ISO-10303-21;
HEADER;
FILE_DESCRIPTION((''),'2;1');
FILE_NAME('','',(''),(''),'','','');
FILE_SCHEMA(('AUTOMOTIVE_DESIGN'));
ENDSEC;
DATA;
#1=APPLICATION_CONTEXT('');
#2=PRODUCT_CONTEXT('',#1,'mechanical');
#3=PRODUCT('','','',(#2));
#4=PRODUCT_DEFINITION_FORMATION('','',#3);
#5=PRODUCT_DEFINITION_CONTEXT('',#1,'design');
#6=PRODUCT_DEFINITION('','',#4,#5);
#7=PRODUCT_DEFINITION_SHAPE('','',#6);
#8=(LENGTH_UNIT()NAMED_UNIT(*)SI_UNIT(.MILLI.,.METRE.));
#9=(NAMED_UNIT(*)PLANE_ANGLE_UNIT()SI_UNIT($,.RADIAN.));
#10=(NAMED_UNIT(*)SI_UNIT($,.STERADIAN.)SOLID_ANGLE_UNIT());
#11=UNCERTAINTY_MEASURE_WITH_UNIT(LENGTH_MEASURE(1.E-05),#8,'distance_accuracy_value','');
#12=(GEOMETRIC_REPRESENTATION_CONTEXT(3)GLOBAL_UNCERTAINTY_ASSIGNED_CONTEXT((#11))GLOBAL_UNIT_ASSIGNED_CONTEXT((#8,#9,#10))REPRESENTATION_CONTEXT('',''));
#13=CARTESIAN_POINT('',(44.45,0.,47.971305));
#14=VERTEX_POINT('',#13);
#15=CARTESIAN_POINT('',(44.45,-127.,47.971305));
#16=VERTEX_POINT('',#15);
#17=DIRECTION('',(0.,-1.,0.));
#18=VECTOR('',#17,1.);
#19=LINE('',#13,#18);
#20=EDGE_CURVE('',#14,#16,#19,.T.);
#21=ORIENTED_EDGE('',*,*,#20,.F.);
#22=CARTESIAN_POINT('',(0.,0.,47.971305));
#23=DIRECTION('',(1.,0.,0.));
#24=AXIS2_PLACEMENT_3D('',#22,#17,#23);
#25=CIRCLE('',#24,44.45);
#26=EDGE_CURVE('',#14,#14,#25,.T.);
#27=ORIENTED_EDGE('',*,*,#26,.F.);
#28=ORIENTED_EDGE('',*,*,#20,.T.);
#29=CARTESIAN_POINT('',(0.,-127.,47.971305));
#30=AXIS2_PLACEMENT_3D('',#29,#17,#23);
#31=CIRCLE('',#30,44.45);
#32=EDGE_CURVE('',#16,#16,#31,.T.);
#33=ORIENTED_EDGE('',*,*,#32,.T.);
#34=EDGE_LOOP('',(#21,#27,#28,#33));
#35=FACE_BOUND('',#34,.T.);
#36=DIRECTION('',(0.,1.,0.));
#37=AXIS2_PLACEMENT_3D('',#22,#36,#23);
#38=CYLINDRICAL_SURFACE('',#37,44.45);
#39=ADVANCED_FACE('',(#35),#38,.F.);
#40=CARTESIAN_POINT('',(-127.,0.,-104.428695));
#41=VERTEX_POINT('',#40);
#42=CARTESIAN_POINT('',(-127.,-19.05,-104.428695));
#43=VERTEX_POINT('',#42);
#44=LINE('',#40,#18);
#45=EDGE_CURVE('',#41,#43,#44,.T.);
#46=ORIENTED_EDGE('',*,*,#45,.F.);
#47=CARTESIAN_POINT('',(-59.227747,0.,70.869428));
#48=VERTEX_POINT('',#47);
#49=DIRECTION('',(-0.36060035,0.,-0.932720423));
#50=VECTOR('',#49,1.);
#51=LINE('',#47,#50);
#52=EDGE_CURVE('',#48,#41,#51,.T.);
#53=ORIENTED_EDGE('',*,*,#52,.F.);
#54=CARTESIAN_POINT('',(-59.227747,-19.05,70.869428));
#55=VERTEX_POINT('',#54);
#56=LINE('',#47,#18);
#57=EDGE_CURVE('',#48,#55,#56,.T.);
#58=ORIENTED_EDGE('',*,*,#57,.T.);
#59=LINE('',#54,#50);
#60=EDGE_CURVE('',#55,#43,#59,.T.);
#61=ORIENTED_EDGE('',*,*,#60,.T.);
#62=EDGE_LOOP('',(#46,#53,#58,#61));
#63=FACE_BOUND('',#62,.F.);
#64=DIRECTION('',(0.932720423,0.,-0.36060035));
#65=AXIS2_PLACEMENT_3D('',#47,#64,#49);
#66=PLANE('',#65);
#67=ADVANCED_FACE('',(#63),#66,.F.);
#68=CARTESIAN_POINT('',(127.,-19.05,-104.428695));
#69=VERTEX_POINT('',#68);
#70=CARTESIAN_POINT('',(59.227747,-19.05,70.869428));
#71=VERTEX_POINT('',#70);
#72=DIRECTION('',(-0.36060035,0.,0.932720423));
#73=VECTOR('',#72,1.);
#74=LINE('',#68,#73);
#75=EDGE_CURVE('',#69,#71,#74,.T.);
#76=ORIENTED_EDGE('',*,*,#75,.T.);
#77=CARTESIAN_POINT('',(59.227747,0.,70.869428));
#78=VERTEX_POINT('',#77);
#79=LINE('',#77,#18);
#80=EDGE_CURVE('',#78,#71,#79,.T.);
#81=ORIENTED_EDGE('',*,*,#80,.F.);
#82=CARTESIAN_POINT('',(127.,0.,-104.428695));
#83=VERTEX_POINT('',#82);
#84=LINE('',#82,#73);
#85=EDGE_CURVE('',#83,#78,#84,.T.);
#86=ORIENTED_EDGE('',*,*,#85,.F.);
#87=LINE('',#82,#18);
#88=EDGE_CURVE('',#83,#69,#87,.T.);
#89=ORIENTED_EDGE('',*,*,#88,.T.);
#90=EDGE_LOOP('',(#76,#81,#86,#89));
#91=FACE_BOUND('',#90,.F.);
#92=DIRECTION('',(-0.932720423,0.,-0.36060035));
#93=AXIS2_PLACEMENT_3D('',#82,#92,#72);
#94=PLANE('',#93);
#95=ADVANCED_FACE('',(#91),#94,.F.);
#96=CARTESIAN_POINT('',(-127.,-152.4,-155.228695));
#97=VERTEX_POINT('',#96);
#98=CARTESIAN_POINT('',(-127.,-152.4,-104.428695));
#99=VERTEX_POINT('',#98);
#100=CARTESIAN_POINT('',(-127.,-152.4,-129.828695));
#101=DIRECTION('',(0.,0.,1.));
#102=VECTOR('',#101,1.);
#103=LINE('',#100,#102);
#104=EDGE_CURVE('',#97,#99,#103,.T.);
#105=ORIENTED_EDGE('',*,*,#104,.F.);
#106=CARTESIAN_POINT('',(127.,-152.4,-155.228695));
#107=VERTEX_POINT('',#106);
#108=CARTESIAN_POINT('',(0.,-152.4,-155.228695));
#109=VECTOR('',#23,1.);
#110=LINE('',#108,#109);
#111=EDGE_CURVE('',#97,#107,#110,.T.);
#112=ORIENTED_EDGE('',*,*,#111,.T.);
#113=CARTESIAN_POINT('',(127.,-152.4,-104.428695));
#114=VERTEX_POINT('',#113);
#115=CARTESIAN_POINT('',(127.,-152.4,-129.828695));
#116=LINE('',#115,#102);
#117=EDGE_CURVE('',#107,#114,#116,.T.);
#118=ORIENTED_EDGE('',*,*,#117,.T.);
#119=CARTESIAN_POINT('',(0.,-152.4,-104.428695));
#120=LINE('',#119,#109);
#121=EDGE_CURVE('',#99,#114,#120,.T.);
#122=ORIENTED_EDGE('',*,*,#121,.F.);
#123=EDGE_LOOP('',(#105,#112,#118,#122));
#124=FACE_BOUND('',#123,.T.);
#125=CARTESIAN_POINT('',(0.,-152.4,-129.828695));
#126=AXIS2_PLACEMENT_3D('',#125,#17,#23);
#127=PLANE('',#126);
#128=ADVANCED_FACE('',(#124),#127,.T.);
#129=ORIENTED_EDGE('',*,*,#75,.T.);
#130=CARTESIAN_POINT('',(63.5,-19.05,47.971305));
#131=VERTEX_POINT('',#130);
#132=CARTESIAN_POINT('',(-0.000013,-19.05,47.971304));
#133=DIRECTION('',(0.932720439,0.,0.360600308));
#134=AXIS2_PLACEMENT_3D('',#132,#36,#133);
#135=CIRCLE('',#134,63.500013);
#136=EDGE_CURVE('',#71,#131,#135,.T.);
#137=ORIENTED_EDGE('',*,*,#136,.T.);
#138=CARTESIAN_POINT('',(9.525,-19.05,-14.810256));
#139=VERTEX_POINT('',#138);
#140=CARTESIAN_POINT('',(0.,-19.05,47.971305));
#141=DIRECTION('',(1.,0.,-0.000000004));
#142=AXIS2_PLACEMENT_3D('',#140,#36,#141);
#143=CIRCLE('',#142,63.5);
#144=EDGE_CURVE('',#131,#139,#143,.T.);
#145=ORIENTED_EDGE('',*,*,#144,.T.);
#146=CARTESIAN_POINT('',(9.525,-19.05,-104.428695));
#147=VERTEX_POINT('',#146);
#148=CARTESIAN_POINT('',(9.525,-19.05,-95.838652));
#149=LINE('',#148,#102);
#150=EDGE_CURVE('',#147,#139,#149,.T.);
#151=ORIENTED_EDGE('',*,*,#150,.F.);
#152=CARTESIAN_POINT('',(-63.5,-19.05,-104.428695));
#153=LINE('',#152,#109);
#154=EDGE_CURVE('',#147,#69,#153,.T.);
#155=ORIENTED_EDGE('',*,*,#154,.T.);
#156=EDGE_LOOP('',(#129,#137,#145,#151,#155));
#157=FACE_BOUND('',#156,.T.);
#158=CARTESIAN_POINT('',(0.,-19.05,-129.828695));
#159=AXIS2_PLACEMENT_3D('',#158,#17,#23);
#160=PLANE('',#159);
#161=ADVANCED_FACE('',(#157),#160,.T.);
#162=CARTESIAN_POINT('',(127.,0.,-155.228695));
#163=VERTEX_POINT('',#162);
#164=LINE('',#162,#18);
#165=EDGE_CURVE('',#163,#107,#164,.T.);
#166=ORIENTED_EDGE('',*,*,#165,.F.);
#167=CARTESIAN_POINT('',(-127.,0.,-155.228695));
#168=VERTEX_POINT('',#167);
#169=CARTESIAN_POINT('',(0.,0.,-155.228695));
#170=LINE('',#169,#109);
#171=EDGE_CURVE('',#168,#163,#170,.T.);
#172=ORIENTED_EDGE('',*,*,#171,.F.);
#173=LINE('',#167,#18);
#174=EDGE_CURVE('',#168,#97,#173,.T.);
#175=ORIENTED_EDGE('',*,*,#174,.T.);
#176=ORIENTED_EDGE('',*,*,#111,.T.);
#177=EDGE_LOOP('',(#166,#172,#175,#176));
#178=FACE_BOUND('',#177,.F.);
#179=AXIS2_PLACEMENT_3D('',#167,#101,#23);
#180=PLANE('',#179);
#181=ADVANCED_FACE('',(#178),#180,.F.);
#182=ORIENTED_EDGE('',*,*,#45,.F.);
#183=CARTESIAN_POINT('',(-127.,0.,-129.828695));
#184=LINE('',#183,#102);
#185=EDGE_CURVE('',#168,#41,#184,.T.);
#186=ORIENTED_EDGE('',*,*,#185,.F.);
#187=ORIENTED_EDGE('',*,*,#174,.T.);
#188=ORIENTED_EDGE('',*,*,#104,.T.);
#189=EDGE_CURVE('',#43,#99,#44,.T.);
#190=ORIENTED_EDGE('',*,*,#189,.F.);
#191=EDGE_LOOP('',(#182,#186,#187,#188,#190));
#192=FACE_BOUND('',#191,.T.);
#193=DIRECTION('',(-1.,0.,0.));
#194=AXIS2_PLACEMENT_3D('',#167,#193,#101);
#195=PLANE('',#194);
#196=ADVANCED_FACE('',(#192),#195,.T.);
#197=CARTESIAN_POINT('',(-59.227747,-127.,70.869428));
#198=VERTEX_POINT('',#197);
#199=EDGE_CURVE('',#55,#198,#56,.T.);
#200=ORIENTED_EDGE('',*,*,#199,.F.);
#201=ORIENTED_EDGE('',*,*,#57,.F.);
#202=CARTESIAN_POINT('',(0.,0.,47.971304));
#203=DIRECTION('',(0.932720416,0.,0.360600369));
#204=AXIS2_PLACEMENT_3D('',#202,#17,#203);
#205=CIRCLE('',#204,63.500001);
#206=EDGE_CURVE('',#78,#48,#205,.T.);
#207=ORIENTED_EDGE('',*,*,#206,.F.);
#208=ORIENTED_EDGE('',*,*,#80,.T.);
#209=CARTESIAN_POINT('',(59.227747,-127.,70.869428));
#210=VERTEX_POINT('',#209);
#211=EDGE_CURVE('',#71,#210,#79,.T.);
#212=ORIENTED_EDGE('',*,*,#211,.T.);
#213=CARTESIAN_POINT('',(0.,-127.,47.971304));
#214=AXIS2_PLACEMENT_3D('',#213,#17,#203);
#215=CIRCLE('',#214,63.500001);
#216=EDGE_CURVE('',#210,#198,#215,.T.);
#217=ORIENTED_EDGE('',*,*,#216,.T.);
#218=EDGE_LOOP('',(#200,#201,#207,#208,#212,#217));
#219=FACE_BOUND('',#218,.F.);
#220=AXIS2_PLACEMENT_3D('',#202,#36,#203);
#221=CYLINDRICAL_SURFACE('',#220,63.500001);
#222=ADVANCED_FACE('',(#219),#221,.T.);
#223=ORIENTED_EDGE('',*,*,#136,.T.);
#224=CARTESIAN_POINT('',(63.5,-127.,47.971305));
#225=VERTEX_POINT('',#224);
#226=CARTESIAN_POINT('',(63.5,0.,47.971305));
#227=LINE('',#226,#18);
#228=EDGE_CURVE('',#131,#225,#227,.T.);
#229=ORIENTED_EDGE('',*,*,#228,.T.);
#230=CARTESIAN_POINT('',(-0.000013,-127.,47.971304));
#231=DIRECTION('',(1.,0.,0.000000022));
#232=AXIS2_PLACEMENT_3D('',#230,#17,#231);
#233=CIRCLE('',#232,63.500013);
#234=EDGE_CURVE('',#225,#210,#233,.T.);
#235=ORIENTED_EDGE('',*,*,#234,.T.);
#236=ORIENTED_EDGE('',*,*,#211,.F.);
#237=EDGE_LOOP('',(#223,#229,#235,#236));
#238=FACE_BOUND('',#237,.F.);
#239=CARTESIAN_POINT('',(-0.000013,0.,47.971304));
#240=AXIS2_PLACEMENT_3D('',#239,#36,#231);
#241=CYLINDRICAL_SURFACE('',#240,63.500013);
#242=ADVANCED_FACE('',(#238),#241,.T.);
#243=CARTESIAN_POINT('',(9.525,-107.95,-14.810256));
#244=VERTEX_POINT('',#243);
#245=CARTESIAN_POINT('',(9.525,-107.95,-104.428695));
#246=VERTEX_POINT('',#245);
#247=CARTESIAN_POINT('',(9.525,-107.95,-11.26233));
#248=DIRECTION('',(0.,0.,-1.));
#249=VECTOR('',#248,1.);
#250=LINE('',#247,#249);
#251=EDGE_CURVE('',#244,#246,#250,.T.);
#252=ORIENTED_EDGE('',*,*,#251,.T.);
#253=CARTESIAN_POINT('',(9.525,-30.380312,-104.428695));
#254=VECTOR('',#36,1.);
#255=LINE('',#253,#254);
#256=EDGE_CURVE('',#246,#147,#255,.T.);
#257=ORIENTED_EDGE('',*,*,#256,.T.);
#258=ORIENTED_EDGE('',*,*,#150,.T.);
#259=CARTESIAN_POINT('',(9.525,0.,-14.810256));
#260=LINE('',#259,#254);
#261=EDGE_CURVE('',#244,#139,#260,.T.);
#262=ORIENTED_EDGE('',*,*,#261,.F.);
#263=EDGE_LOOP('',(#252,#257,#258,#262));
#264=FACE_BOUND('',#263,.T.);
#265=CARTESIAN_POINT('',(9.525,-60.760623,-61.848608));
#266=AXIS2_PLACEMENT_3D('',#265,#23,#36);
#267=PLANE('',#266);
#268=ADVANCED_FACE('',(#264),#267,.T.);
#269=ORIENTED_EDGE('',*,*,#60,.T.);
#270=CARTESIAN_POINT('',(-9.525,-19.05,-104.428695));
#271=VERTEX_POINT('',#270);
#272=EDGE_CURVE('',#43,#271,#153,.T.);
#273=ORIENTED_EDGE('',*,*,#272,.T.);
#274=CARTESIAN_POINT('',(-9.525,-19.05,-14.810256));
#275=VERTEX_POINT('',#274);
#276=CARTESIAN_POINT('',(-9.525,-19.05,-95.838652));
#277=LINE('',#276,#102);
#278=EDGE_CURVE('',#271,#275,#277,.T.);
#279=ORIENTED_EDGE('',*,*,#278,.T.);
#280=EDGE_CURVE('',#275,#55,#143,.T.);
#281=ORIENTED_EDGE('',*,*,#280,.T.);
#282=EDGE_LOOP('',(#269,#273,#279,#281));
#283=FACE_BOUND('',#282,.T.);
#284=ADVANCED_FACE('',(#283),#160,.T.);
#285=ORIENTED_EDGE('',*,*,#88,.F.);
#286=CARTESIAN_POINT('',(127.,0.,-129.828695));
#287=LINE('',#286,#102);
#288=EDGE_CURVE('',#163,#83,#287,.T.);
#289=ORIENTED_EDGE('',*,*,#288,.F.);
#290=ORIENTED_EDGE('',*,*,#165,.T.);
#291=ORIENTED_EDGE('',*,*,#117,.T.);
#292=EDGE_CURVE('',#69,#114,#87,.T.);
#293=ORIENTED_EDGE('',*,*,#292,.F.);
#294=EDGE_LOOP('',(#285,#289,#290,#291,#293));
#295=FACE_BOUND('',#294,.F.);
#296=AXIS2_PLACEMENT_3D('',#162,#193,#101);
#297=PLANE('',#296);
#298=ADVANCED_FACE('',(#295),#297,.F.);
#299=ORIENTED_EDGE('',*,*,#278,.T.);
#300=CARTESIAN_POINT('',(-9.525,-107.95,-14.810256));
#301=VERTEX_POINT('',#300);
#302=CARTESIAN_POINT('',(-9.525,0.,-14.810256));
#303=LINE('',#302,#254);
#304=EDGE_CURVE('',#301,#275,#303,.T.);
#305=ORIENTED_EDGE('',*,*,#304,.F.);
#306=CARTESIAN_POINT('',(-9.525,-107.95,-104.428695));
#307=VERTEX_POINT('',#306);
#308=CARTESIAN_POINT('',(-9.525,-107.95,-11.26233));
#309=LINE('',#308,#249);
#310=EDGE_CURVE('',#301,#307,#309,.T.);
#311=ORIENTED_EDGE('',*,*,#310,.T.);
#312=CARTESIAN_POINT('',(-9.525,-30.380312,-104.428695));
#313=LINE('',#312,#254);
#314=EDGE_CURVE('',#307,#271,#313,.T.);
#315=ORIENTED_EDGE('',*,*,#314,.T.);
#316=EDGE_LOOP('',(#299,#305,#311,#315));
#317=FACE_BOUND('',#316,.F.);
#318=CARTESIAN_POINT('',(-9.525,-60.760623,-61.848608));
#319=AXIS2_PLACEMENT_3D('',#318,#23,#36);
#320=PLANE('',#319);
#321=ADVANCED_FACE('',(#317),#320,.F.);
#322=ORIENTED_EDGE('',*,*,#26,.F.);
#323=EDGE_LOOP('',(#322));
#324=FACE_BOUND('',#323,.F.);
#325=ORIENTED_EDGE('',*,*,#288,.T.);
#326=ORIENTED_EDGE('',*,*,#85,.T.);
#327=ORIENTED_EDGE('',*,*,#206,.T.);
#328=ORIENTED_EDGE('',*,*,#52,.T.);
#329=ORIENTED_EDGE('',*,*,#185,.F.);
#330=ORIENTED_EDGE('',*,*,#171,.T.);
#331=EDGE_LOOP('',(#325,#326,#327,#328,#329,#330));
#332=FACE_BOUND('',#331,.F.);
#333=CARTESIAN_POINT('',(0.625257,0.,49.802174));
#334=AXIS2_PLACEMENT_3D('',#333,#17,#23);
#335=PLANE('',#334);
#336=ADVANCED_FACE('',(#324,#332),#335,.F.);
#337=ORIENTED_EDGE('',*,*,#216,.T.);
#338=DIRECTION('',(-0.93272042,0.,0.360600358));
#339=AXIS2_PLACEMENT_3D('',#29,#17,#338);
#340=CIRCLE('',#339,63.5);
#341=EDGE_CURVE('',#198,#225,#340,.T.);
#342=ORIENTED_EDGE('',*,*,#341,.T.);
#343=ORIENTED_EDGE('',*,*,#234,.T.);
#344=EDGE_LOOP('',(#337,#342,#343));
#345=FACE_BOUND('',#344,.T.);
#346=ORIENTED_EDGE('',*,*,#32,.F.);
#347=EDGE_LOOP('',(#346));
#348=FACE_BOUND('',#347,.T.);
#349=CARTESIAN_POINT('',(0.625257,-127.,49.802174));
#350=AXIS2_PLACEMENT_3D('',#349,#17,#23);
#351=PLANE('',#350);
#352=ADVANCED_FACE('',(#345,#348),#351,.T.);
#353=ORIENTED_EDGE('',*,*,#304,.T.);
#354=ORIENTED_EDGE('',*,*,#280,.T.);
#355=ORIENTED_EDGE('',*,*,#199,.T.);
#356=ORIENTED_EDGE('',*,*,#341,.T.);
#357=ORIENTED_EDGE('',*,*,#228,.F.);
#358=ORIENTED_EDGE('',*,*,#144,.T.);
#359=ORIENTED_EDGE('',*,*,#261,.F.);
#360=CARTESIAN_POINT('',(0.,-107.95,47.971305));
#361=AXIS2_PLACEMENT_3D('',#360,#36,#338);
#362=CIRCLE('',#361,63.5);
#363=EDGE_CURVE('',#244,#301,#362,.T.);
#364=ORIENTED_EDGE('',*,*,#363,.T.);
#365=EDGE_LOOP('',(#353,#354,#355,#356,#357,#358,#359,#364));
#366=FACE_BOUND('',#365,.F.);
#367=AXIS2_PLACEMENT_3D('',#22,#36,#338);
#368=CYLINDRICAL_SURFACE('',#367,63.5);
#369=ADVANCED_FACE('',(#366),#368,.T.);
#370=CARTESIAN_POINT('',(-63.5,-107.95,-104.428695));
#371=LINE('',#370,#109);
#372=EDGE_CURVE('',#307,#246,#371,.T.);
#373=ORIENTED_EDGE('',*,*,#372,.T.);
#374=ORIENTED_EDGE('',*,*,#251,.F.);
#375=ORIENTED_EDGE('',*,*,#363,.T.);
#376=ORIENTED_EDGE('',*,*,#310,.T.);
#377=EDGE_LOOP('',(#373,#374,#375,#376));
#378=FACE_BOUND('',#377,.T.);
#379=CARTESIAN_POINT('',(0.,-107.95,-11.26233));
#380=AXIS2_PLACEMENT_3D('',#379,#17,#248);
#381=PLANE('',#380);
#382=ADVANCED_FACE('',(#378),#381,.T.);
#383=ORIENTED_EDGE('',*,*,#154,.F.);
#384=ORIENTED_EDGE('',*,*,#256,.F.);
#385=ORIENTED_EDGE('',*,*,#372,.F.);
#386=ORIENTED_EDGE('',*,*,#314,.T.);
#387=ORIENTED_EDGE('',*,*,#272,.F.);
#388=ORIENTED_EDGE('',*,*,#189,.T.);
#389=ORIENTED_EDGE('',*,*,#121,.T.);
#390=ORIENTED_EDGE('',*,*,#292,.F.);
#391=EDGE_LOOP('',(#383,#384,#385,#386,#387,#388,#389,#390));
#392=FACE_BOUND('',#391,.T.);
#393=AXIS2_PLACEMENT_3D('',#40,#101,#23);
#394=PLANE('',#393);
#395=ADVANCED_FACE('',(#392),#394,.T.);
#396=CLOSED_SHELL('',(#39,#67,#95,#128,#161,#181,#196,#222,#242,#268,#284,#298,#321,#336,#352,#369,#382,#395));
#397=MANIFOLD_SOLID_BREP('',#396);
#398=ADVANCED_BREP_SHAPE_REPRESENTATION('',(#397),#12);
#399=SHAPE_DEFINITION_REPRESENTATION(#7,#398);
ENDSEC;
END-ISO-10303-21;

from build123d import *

# Parameters (mm, degrees)
F0_W     = 254
F0_H     = 50.8
F1_DEPTH = 152.4
F2_DEPTH = 19.05
F0_R     = 44.45
F3_DEPTH = 127
F5_DEPTH = 9.525


with BuildPart() as f1:
    # F0 (on Front) → F1 (new body)
    with BuildSketch(Plane.XZ):
        with Locations((0, -129.828695)):
            Rectangle(F0_W, F0_H)
    extrude(amount=F1_DEPTH)

    # F0 (on Front) → F2 (join)
    with BuildSketch(Plane.XZ):
        with Locations((0, -129.828695)):
            Rectangle(F0_W, F0_H)
        with BuildLine():
            Line((-59.227747, 70.869428), (-127, -104.428695))
            Line((-127, -104.428695), (127, -104.428695))
            Line((127, -104.428695), (59.227747, 70.869428))
            ThreePointArc((59.227747, 70.869428), (62.4228, 59.617937), (63.5, 47.971305))
            ThreePointArc((63.5, 47.971305), (-11.646632, -14.451495), (-59.227747, 70.869428))
        make_face()
    extrude(amount=F2_DEPTH)

    # F0 (on Front) → F3 (join)
    with BuildSketch(Plane.XZ):
        with BuildLine():
            ThreePointArc((59.227747, 70.869428), (0, 111.471305), (-59.227747, 70.869428))
            ThreePointArc((-59.227747, 70.869428), (-11.646632, -14.451495), (63.5, 47.971305))
            ThreePointArc((63.5, 47.971305), (62.4228, 59.617937), (59.227747, 70.869428))
        make_face()
        with Locations((0, 47.971305)):
            Circle(F0_R, mode=Mode.SUBTRACT)
    extrude(amount=F3_DEPTH)

    # F4 (on Right) → F5 (join, symmetric)
    with BuildSketch(Plane.YZ):
        Polygon((-13.847807, -10.107701), (-107.95, -11.26233), (-107.95, -113.015743), (-13.847807, -113.015743), align=None)
    extrude(amount=F5_DEPTH, both=True)


solid = f1.part
